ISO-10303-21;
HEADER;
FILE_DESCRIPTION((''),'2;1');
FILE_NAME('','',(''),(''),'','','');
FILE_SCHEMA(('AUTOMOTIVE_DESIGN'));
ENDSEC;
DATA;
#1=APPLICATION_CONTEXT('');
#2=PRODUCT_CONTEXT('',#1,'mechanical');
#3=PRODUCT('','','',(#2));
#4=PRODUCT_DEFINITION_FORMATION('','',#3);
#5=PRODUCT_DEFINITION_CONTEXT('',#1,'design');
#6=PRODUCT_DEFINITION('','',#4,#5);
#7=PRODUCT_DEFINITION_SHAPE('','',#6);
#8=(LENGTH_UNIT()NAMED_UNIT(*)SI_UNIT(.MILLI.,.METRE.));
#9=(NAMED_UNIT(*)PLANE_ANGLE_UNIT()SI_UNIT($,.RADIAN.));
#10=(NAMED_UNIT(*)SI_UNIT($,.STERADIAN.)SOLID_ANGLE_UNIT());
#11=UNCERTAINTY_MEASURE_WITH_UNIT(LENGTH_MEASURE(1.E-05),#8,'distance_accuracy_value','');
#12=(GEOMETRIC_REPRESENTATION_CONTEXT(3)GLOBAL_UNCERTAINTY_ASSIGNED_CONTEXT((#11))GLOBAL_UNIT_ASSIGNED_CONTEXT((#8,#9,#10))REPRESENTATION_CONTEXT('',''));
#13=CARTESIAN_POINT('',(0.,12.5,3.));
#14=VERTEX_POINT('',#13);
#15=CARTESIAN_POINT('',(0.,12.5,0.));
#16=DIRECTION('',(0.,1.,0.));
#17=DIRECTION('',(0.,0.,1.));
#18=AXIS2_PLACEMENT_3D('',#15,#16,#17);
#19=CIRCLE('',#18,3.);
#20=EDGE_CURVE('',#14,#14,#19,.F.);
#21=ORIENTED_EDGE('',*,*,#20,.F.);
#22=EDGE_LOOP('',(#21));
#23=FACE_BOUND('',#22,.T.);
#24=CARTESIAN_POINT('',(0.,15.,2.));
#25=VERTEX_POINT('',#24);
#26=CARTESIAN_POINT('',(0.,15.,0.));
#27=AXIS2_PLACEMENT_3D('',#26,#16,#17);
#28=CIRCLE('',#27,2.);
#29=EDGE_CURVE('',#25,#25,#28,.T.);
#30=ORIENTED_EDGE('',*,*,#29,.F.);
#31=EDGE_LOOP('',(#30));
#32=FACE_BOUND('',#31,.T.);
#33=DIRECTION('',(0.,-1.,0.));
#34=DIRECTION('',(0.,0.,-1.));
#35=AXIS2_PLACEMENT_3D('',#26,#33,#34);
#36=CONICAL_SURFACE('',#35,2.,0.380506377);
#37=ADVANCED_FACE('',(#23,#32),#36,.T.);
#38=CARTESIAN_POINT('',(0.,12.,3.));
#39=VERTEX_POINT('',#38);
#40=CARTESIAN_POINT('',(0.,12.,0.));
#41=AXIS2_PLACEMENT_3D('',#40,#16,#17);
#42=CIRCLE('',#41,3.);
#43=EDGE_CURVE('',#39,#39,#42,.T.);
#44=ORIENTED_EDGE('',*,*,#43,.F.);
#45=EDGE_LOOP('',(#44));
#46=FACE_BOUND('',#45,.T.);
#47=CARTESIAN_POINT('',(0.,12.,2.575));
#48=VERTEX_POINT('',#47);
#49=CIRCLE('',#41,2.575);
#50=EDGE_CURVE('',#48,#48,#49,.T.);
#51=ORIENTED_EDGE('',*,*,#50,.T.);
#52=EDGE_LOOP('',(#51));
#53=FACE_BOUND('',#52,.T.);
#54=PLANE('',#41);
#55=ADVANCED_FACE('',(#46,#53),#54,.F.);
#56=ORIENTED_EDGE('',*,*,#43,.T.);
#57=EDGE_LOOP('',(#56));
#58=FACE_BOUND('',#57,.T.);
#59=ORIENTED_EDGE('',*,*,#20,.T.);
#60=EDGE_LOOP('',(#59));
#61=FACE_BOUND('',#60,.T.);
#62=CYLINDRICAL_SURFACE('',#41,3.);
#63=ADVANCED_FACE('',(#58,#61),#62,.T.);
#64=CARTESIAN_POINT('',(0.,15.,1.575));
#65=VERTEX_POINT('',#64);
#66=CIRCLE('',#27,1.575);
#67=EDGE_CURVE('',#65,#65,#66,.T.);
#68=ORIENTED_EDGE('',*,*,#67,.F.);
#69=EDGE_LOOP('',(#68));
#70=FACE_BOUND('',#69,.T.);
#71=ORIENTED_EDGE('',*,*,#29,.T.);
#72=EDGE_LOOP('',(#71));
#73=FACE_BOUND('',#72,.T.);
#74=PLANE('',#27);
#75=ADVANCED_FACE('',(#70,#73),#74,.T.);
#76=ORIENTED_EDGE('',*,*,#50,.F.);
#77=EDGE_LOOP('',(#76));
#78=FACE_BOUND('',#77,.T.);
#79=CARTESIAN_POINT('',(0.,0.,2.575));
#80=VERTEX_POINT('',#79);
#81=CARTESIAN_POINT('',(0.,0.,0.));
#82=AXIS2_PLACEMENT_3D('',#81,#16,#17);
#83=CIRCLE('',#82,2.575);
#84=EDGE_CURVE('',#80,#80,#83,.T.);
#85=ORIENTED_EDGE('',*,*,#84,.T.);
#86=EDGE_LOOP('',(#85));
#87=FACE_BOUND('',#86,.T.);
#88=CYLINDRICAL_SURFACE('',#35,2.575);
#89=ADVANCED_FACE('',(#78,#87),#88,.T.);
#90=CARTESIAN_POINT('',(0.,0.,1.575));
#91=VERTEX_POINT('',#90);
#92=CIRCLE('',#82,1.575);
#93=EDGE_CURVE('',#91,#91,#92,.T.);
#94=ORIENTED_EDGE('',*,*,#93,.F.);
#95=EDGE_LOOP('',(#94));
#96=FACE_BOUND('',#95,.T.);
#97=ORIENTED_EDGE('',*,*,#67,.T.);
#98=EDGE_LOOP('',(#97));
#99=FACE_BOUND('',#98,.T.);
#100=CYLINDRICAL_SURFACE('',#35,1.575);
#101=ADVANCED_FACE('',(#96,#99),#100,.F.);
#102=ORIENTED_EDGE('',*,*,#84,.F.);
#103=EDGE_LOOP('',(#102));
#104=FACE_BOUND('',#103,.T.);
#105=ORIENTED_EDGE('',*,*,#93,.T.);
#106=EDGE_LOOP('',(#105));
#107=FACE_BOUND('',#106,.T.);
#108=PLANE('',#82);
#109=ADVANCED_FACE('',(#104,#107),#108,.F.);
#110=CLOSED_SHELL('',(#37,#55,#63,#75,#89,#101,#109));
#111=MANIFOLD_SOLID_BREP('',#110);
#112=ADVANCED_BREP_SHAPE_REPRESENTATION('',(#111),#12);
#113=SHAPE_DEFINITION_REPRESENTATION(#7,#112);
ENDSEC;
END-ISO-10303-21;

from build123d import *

# Parameters (mm, degrees)
SKETCH1_R           = 2.575
SKETCH1_R_2         = 1.575
BOSS_EXTRUDE1_DEPTH = 15
SKETCH2_R           = 3
SKETCH2_R_2         = 1.575
BOSS_EXTRUDE2_DEPTH = 3
CHAMFER1_SIZE       = 2.5
CHAMFER1_SIZE2      = 1


with BuildPart() as part:
    # Sketch1 → Boss-Extrude1 (new body)
    with BuildSketch(Plane(origin=(0, 0, 0), x_dir=(1, 0, 0), z_dir=(0, 1, 0))):
        Circle(SKETCH1_R)
        Circle(SKETCH1_R_2, mode=Mode.SUBTRACT)
    extrude(amount=BOSS_EXTRUDE1_DEPTH)

    # Sketch2 → Boss-Extrude2 (add)
    with BuildSketch(Plane(origin=(0, 15, 0), x_dir=(1, 0, 0), z_dir=(0, 1, 0))):
        Circle(SKETCH2_R)
        Circle(SKETCH2_R_2, mode=Mode.SUBTRACT)
    extrude(amount=-BOSS_EXTRUDE2_DEPTH)

    # Chamfer1
    chamfer1_edges = [part.edges().sort_by_distance(p)[0] for p in [
        (-3, 15, 0),
    ]]
    chamfer1_side = [part.faces().sort_by_distance(p)[0] for p in [
        (-3, 13.5, 0),
    ]]
    chamfer(chamfer1_edges, length=CHAMFER1_SIZE, length2=CHAMFER1_SIZE2, reference=chamfer1_side[0])


solid = part.part
